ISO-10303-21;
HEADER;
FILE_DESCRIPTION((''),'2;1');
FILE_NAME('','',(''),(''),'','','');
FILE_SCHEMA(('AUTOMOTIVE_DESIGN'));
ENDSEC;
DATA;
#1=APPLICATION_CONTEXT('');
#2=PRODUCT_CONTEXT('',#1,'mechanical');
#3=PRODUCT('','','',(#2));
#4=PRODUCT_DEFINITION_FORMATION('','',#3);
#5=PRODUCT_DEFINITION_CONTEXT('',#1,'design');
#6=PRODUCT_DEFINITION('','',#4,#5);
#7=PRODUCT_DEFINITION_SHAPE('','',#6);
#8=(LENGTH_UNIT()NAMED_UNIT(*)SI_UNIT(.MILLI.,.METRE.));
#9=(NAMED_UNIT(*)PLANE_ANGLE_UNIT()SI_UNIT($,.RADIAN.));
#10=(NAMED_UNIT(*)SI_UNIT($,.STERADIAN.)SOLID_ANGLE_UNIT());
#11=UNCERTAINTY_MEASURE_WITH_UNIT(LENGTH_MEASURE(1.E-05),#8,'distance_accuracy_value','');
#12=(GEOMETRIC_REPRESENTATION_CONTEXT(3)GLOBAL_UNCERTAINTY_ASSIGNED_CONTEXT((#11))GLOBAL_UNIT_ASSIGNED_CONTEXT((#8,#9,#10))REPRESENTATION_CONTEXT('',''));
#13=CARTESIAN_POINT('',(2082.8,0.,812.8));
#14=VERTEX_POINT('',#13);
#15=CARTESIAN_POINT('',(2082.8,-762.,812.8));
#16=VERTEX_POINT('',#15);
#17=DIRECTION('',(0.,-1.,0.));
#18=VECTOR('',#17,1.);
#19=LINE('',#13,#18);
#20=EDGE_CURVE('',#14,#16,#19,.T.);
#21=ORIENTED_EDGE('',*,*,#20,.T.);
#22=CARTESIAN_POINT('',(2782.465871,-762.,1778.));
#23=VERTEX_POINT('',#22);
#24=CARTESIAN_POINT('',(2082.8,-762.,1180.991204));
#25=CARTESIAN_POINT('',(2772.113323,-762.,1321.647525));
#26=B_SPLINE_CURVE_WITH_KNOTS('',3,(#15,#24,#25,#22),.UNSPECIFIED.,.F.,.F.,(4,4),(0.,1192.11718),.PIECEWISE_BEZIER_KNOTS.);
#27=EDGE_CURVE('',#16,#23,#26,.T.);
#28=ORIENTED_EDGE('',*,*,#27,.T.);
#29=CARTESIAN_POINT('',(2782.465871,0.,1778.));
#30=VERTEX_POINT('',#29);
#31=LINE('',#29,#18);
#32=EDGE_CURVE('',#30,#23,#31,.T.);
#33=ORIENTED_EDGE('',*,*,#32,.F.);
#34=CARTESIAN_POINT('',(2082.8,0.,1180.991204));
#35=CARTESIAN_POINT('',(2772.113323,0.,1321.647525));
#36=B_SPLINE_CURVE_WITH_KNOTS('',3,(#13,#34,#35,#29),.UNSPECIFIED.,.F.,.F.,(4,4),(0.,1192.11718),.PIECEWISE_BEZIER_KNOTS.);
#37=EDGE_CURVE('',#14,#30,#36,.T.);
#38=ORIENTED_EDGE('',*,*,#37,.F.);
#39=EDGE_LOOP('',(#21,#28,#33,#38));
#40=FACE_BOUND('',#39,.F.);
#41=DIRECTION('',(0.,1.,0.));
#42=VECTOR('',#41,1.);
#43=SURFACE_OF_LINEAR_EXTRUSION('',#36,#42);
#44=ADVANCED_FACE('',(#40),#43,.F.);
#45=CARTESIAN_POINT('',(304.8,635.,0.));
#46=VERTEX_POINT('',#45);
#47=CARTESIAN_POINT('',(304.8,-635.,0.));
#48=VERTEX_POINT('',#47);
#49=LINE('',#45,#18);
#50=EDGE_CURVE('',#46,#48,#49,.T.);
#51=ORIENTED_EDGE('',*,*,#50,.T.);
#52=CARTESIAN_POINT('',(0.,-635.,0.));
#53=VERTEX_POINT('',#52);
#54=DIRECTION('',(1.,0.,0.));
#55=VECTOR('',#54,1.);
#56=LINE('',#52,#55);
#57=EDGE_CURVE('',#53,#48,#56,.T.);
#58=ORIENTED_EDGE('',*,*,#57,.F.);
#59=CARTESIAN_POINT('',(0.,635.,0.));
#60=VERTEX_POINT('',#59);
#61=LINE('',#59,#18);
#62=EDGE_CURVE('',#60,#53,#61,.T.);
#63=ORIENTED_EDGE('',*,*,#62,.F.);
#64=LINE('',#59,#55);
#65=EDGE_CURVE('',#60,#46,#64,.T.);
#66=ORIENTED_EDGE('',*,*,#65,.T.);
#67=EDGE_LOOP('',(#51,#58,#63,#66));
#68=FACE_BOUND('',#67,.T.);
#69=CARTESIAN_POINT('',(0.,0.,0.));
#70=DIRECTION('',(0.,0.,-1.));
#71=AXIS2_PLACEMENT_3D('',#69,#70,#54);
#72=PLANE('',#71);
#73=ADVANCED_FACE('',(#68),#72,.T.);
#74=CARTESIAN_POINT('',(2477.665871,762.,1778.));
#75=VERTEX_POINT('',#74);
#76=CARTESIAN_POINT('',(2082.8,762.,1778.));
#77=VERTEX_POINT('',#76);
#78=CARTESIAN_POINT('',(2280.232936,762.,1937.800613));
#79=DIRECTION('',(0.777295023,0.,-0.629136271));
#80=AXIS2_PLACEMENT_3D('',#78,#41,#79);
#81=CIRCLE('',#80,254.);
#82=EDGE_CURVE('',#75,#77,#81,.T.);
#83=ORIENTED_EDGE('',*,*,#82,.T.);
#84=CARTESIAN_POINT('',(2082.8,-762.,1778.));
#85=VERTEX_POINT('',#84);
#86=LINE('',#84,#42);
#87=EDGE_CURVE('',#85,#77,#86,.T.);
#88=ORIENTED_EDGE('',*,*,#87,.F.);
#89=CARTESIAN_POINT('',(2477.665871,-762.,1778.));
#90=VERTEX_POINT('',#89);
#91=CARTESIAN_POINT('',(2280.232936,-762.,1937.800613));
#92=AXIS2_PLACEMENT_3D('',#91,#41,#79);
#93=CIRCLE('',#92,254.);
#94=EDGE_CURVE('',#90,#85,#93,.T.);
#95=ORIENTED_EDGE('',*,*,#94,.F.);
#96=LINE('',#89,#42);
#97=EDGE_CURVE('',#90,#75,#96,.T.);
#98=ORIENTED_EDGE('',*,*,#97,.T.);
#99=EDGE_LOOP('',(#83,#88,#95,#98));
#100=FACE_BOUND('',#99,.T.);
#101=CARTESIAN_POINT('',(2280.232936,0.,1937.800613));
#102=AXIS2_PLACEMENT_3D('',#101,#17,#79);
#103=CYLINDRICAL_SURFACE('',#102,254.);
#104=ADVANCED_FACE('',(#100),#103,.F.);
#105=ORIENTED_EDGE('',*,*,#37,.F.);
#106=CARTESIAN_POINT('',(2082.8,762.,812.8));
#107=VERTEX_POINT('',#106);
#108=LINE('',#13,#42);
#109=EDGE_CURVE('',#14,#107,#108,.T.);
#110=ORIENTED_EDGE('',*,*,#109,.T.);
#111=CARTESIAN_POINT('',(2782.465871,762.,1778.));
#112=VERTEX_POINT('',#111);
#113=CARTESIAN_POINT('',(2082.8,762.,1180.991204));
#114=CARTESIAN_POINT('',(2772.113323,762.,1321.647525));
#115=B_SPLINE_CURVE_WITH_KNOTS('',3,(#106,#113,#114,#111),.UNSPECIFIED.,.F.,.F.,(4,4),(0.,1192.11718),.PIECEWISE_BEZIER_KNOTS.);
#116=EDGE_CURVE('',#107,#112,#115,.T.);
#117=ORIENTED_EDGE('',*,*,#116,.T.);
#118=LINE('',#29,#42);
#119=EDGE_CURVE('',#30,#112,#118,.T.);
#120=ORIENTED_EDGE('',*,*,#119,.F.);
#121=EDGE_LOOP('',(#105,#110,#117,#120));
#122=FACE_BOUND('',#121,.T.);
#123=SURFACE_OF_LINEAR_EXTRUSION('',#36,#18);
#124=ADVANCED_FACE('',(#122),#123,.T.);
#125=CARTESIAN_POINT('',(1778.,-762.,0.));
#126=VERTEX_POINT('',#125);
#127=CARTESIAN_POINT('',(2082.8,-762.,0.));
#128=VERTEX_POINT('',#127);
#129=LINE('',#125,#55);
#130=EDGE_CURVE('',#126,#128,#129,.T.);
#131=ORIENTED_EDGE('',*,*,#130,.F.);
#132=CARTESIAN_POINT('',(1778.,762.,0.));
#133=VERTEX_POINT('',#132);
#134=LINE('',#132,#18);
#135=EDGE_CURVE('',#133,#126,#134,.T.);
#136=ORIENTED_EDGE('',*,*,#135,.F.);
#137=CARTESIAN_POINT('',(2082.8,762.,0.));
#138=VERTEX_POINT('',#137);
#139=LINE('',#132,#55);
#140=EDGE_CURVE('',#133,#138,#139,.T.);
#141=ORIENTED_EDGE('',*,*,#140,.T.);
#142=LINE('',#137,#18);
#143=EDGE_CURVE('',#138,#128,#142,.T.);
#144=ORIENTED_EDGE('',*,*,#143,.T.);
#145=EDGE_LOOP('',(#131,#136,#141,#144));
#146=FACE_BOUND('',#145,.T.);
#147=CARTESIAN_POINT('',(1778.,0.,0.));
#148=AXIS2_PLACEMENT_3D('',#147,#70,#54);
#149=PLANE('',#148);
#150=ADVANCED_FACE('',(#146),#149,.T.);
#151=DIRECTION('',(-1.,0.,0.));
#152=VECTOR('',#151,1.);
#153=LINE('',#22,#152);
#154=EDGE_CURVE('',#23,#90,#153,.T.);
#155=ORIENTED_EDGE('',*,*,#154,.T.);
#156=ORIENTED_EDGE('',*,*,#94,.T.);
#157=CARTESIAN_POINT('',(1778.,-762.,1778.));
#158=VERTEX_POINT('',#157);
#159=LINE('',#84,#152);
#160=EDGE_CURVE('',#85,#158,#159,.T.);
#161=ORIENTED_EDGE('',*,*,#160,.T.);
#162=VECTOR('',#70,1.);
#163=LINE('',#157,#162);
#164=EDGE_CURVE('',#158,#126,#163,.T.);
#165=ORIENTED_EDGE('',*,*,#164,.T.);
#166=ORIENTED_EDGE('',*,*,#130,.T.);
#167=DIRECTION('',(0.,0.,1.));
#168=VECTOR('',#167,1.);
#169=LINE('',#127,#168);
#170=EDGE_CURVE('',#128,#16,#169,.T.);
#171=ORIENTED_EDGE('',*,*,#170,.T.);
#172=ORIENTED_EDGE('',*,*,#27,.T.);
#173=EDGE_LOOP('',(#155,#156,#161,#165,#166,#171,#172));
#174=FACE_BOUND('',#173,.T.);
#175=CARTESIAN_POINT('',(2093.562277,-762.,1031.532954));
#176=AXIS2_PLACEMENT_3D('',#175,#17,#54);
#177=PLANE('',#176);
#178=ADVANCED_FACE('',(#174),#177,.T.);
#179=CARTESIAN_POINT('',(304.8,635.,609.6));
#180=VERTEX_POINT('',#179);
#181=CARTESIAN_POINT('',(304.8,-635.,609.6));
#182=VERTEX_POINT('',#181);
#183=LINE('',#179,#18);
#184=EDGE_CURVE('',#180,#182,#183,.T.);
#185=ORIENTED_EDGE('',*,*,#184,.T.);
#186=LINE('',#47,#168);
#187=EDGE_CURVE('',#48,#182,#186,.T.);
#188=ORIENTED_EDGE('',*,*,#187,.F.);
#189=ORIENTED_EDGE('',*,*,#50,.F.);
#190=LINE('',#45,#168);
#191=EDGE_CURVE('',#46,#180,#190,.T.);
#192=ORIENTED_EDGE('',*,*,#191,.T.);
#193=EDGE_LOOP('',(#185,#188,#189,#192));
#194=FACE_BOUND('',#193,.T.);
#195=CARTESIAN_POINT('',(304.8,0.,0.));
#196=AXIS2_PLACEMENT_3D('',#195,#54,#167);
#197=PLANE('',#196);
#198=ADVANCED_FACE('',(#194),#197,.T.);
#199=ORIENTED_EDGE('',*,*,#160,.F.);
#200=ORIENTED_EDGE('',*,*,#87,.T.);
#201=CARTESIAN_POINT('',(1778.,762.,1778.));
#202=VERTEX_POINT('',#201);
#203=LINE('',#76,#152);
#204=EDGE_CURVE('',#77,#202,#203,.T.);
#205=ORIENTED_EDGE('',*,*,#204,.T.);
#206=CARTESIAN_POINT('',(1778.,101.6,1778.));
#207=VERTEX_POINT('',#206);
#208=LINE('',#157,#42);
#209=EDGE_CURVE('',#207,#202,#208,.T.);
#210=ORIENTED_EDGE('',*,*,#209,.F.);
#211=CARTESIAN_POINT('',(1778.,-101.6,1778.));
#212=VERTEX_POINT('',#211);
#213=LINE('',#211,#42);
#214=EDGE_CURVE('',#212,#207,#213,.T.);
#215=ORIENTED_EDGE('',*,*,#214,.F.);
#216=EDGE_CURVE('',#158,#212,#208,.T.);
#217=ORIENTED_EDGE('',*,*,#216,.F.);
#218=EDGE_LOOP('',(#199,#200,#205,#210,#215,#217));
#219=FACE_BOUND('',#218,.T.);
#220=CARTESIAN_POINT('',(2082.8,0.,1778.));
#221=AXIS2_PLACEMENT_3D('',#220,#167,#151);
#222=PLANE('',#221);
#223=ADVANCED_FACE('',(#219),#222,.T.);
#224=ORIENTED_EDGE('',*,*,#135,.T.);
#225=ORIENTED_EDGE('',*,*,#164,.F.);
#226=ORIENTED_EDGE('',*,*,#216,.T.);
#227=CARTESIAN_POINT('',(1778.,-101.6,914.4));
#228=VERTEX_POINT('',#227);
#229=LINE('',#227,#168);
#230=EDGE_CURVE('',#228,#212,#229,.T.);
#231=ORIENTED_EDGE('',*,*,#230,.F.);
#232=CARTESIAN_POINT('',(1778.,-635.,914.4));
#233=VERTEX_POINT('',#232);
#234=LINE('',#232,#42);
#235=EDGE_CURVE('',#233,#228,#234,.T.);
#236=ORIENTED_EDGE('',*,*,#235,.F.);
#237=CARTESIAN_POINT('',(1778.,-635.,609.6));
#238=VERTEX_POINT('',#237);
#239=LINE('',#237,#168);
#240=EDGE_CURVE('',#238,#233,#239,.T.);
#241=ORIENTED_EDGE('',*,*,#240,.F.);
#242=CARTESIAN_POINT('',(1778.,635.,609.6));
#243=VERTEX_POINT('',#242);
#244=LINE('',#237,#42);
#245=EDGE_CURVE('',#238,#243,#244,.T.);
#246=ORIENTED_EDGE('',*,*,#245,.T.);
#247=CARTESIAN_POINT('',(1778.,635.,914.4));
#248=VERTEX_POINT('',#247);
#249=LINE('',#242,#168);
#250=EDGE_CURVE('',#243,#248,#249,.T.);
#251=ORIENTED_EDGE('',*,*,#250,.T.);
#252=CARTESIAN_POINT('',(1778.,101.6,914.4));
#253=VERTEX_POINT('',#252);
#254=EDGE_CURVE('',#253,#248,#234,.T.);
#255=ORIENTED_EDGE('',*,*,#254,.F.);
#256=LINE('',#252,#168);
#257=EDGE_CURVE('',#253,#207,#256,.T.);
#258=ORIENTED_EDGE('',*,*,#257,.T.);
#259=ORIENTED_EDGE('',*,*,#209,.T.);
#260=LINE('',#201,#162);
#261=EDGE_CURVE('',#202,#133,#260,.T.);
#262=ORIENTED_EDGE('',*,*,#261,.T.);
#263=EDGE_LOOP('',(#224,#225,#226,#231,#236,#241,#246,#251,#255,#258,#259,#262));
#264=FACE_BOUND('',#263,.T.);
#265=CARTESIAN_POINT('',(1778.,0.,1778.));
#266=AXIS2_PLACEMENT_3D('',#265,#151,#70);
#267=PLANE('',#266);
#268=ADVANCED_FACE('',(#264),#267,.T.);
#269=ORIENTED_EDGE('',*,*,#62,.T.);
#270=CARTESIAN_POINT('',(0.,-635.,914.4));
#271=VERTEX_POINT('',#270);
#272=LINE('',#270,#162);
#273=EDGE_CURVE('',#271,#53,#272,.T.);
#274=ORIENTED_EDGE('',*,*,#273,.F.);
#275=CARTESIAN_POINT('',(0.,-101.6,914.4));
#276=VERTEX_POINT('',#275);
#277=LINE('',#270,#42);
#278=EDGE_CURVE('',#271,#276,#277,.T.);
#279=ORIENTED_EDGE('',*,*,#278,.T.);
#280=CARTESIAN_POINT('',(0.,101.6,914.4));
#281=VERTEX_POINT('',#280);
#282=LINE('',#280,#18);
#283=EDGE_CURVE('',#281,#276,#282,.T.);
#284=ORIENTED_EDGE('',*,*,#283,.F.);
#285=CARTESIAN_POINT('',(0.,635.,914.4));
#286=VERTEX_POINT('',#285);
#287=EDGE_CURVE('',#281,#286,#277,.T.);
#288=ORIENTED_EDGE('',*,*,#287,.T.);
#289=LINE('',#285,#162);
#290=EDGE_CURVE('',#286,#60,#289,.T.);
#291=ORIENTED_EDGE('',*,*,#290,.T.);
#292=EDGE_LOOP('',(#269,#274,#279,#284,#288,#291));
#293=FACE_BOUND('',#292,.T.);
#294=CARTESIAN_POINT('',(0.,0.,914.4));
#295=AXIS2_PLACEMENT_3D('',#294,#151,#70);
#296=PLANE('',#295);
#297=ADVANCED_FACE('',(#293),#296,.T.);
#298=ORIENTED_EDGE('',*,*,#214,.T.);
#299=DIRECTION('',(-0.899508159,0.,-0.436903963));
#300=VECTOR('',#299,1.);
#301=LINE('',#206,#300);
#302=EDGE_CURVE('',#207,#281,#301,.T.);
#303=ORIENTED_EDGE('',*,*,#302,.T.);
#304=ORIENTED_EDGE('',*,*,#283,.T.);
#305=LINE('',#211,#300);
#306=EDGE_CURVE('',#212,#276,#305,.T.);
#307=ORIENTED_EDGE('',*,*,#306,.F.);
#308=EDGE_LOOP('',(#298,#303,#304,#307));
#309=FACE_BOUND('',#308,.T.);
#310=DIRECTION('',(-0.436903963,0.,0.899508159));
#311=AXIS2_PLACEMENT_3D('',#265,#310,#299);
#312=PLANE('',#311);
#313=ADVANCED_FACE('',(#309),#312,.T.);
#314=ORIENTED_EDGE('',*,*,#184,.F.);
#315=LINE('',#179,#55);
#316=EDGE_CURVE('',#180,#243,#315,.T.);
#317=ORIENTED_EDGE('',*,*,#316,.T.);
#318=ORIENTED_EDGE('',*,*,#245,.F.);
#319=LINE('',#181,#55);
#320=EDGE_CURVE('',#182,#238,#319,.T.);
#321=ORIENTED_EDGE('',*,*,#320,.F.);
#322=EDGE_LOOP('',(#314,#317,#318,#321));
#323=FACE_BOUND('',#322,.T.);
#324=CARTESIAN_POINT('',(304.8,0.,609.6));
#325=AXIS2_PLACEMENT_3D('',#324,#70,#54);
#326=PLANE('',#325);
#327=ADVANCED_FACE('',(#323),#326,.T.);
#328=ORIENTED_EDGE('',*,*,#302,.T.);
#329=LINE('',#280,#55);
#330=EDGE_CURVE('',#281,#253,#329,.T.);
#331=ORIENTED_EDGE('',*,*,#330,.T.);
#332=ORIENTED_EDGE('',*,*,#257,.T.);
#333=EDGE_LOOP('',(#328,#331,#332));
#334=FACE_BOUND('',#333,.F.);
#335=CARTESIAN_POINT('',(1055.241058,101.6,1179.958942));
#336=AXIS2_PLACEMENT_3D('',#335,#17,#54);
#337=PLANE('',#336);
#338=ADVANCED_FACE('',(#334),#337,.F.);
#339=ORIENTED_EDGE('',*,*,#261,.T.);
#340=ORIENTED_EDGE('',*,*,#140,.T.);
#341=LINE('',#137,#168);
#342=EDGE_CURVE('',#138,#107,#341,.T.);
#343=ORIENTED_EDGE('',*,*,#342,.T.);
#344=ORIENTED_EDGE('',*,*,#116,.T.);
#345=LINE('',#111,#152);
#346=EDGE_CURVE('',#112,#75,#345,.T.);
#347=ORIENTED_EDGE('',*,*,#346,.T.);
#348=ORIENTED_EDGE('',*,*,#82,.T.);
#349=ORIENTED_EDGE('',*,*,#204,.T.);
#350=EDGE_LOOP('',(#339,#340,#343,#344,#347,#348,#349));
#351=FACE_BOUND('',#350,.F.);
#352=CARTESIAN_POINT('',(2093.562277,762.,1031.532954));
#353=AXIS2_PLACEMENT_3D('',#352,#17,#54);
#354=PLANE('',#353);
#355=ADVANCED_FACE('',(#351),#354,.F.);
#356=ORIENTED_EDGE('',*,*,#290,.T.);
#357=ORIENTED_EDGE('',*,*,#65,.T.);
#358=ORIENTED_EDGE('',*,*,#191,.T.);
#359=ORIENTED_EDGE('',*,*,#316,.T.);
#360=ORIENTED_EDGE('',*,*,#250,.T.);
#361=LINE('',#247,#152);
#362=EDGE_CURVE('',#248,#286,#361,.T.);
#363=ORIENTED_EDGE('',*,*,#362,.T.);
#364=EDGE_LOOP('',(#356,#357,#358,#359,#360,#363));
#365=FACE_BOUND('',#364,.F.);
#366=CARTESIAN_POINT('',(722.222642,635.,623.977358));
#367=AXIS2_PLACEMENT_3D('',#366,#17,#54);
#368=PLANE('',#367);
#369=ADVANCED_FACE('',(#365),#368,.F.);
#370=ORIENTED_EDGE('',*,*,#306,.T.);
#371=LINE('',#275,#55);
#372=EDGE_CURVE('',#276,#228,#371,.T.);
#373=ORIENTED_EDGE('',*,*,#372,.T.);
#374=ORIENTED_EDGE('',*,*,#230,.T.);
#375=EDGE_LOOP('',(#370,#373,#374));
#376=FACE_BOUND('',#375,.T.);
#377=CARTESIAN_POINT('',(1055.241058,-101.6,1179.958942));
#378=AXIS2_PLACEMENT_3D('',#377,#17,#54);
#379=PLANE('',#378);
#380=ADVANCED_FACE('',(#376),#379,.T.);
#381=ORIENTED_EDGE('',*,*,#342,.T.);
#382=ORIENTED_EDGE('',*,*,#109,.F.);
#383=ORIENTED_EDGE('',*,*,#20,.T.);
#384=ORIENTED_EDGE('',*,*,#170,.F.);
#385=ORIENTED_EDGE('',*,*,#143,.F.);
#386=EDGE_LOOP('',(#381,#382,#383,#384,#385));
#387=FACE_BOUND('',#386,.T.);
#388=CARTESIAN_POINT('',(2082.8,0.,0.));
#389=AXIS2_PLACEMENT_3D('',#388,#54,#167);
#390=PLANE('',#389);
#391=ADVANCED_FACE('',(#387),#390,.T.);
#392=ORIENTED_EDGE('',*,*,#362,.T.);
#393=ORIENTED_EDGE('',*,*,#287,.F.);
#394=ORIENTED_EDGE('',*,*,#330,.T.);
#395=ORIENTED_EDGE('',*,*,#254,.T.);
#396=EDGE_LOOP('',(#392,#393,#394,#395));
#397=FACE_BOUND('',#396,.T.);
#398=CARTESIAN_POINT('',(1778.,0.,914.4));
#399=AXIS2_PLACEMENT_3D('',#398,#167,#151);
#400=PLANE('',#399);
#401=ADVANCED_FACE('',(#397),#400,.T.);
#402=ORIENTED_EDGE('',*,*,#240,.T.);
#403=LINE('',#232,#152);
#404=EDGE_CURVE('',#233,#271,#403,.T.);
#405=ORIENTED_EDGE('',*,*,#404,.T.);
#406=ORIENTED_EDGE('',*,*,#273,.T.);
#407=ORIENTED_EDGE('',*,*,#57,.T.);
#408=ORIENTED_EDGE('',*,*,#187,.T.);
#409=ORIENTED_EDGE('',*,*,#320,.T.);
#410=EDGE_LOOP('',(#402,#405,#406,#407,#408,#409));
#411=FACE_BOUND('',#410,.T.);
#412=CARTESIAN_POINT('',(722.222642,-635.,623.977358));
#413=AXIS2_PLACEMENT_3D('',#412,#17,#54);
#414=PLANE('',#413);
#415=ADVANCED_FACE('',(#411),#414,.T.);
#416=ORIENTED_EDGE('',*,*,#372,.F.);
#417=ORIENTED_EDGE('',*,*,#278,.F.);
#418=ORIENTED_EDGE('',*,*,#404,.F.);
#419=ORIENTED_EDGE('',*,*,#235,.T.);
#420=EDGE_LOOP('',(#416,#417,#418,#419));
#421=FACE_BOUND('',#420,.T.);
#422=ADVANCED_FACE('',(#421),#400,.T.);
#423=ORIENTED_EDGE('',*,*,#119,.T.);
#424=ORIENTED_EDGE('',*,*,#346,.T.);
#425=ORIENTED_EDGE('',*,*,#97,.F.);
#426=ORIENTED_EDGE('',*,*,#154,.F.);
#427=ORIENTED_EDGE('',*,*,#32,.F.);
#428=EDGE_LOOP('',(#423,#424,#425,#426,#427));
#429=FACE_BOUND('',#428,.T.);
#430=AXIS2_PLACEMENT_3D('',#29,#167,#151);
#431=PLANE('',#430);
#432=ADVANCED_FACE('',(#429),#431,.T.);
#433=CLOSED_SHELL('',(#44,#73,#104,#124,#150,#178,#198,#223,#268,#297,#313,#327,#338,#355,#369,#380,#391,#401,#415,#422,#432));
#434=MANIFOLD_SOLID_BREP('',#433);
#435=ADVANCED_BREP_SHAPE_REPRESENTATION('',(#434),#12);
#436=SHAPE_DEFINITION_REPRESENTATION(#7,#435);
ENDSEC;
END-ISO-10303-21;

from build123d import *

# Parameters (mm, degrees)
F1_DEPTH = 762
F2_DEPTH = 635
F3_DEPTH = 101.6


with BuildPart() as f1:
    # F0 (on Front) → F1 (new body, symmetric)
    with BuildSketch(Plane.XZ):
        with BuildLine():
            Line((1778, 1778), (1778, 914.4))
            Line((1778, 914.4), (1778, 609.6))
            Line((1778, 609.6), (1778, 0))
            Line((1778, 0), (2082.8, 0))
            Line((2082.8, 0), (2082.8, 812.8))
            add(Edge.make_bspline(
                [(2082.8, 812.8), (2082.8, 1180.991204), (2772.113323, 1321.647525), (2782.465871, 1778)],
                knots=[0, 0, 0, 0, 1192.11718, 1192.11718, 1192.11718, 1192.11718], degree=3))
            Line((2782.465871, 1778), (2477.665871, 1778))
            ThreePointArc((2477.665871, 1778), (2280.232936, 1683.800613), (2082.8, 1778))
            Line((2082.8, 1778), (1778, 1778))
        make_face()
    extrude(amount=F1_DEPTH, both=True)

    # F0 (on Front) → F2 (join, symmetric)
    with BuildSketch(Plane.XZ):
        Polygon((0, 914.4), (0, 0), (304.8, 0), (304.8, 609.6), (1778, 609.6), (1778, 914.4), align=None)
    extrude(amount=F2_DEPTH, both=True)

    # F0 (on Front) → F3 (join, symmetric)
    with BuildSketch(Plane.XZ):
        Polygon((1778, 1778), (0, 914.4), (1778, 914.4), align=None)
    extrude(amount=F3_DEPTH, both=True)


solid = f1.part
